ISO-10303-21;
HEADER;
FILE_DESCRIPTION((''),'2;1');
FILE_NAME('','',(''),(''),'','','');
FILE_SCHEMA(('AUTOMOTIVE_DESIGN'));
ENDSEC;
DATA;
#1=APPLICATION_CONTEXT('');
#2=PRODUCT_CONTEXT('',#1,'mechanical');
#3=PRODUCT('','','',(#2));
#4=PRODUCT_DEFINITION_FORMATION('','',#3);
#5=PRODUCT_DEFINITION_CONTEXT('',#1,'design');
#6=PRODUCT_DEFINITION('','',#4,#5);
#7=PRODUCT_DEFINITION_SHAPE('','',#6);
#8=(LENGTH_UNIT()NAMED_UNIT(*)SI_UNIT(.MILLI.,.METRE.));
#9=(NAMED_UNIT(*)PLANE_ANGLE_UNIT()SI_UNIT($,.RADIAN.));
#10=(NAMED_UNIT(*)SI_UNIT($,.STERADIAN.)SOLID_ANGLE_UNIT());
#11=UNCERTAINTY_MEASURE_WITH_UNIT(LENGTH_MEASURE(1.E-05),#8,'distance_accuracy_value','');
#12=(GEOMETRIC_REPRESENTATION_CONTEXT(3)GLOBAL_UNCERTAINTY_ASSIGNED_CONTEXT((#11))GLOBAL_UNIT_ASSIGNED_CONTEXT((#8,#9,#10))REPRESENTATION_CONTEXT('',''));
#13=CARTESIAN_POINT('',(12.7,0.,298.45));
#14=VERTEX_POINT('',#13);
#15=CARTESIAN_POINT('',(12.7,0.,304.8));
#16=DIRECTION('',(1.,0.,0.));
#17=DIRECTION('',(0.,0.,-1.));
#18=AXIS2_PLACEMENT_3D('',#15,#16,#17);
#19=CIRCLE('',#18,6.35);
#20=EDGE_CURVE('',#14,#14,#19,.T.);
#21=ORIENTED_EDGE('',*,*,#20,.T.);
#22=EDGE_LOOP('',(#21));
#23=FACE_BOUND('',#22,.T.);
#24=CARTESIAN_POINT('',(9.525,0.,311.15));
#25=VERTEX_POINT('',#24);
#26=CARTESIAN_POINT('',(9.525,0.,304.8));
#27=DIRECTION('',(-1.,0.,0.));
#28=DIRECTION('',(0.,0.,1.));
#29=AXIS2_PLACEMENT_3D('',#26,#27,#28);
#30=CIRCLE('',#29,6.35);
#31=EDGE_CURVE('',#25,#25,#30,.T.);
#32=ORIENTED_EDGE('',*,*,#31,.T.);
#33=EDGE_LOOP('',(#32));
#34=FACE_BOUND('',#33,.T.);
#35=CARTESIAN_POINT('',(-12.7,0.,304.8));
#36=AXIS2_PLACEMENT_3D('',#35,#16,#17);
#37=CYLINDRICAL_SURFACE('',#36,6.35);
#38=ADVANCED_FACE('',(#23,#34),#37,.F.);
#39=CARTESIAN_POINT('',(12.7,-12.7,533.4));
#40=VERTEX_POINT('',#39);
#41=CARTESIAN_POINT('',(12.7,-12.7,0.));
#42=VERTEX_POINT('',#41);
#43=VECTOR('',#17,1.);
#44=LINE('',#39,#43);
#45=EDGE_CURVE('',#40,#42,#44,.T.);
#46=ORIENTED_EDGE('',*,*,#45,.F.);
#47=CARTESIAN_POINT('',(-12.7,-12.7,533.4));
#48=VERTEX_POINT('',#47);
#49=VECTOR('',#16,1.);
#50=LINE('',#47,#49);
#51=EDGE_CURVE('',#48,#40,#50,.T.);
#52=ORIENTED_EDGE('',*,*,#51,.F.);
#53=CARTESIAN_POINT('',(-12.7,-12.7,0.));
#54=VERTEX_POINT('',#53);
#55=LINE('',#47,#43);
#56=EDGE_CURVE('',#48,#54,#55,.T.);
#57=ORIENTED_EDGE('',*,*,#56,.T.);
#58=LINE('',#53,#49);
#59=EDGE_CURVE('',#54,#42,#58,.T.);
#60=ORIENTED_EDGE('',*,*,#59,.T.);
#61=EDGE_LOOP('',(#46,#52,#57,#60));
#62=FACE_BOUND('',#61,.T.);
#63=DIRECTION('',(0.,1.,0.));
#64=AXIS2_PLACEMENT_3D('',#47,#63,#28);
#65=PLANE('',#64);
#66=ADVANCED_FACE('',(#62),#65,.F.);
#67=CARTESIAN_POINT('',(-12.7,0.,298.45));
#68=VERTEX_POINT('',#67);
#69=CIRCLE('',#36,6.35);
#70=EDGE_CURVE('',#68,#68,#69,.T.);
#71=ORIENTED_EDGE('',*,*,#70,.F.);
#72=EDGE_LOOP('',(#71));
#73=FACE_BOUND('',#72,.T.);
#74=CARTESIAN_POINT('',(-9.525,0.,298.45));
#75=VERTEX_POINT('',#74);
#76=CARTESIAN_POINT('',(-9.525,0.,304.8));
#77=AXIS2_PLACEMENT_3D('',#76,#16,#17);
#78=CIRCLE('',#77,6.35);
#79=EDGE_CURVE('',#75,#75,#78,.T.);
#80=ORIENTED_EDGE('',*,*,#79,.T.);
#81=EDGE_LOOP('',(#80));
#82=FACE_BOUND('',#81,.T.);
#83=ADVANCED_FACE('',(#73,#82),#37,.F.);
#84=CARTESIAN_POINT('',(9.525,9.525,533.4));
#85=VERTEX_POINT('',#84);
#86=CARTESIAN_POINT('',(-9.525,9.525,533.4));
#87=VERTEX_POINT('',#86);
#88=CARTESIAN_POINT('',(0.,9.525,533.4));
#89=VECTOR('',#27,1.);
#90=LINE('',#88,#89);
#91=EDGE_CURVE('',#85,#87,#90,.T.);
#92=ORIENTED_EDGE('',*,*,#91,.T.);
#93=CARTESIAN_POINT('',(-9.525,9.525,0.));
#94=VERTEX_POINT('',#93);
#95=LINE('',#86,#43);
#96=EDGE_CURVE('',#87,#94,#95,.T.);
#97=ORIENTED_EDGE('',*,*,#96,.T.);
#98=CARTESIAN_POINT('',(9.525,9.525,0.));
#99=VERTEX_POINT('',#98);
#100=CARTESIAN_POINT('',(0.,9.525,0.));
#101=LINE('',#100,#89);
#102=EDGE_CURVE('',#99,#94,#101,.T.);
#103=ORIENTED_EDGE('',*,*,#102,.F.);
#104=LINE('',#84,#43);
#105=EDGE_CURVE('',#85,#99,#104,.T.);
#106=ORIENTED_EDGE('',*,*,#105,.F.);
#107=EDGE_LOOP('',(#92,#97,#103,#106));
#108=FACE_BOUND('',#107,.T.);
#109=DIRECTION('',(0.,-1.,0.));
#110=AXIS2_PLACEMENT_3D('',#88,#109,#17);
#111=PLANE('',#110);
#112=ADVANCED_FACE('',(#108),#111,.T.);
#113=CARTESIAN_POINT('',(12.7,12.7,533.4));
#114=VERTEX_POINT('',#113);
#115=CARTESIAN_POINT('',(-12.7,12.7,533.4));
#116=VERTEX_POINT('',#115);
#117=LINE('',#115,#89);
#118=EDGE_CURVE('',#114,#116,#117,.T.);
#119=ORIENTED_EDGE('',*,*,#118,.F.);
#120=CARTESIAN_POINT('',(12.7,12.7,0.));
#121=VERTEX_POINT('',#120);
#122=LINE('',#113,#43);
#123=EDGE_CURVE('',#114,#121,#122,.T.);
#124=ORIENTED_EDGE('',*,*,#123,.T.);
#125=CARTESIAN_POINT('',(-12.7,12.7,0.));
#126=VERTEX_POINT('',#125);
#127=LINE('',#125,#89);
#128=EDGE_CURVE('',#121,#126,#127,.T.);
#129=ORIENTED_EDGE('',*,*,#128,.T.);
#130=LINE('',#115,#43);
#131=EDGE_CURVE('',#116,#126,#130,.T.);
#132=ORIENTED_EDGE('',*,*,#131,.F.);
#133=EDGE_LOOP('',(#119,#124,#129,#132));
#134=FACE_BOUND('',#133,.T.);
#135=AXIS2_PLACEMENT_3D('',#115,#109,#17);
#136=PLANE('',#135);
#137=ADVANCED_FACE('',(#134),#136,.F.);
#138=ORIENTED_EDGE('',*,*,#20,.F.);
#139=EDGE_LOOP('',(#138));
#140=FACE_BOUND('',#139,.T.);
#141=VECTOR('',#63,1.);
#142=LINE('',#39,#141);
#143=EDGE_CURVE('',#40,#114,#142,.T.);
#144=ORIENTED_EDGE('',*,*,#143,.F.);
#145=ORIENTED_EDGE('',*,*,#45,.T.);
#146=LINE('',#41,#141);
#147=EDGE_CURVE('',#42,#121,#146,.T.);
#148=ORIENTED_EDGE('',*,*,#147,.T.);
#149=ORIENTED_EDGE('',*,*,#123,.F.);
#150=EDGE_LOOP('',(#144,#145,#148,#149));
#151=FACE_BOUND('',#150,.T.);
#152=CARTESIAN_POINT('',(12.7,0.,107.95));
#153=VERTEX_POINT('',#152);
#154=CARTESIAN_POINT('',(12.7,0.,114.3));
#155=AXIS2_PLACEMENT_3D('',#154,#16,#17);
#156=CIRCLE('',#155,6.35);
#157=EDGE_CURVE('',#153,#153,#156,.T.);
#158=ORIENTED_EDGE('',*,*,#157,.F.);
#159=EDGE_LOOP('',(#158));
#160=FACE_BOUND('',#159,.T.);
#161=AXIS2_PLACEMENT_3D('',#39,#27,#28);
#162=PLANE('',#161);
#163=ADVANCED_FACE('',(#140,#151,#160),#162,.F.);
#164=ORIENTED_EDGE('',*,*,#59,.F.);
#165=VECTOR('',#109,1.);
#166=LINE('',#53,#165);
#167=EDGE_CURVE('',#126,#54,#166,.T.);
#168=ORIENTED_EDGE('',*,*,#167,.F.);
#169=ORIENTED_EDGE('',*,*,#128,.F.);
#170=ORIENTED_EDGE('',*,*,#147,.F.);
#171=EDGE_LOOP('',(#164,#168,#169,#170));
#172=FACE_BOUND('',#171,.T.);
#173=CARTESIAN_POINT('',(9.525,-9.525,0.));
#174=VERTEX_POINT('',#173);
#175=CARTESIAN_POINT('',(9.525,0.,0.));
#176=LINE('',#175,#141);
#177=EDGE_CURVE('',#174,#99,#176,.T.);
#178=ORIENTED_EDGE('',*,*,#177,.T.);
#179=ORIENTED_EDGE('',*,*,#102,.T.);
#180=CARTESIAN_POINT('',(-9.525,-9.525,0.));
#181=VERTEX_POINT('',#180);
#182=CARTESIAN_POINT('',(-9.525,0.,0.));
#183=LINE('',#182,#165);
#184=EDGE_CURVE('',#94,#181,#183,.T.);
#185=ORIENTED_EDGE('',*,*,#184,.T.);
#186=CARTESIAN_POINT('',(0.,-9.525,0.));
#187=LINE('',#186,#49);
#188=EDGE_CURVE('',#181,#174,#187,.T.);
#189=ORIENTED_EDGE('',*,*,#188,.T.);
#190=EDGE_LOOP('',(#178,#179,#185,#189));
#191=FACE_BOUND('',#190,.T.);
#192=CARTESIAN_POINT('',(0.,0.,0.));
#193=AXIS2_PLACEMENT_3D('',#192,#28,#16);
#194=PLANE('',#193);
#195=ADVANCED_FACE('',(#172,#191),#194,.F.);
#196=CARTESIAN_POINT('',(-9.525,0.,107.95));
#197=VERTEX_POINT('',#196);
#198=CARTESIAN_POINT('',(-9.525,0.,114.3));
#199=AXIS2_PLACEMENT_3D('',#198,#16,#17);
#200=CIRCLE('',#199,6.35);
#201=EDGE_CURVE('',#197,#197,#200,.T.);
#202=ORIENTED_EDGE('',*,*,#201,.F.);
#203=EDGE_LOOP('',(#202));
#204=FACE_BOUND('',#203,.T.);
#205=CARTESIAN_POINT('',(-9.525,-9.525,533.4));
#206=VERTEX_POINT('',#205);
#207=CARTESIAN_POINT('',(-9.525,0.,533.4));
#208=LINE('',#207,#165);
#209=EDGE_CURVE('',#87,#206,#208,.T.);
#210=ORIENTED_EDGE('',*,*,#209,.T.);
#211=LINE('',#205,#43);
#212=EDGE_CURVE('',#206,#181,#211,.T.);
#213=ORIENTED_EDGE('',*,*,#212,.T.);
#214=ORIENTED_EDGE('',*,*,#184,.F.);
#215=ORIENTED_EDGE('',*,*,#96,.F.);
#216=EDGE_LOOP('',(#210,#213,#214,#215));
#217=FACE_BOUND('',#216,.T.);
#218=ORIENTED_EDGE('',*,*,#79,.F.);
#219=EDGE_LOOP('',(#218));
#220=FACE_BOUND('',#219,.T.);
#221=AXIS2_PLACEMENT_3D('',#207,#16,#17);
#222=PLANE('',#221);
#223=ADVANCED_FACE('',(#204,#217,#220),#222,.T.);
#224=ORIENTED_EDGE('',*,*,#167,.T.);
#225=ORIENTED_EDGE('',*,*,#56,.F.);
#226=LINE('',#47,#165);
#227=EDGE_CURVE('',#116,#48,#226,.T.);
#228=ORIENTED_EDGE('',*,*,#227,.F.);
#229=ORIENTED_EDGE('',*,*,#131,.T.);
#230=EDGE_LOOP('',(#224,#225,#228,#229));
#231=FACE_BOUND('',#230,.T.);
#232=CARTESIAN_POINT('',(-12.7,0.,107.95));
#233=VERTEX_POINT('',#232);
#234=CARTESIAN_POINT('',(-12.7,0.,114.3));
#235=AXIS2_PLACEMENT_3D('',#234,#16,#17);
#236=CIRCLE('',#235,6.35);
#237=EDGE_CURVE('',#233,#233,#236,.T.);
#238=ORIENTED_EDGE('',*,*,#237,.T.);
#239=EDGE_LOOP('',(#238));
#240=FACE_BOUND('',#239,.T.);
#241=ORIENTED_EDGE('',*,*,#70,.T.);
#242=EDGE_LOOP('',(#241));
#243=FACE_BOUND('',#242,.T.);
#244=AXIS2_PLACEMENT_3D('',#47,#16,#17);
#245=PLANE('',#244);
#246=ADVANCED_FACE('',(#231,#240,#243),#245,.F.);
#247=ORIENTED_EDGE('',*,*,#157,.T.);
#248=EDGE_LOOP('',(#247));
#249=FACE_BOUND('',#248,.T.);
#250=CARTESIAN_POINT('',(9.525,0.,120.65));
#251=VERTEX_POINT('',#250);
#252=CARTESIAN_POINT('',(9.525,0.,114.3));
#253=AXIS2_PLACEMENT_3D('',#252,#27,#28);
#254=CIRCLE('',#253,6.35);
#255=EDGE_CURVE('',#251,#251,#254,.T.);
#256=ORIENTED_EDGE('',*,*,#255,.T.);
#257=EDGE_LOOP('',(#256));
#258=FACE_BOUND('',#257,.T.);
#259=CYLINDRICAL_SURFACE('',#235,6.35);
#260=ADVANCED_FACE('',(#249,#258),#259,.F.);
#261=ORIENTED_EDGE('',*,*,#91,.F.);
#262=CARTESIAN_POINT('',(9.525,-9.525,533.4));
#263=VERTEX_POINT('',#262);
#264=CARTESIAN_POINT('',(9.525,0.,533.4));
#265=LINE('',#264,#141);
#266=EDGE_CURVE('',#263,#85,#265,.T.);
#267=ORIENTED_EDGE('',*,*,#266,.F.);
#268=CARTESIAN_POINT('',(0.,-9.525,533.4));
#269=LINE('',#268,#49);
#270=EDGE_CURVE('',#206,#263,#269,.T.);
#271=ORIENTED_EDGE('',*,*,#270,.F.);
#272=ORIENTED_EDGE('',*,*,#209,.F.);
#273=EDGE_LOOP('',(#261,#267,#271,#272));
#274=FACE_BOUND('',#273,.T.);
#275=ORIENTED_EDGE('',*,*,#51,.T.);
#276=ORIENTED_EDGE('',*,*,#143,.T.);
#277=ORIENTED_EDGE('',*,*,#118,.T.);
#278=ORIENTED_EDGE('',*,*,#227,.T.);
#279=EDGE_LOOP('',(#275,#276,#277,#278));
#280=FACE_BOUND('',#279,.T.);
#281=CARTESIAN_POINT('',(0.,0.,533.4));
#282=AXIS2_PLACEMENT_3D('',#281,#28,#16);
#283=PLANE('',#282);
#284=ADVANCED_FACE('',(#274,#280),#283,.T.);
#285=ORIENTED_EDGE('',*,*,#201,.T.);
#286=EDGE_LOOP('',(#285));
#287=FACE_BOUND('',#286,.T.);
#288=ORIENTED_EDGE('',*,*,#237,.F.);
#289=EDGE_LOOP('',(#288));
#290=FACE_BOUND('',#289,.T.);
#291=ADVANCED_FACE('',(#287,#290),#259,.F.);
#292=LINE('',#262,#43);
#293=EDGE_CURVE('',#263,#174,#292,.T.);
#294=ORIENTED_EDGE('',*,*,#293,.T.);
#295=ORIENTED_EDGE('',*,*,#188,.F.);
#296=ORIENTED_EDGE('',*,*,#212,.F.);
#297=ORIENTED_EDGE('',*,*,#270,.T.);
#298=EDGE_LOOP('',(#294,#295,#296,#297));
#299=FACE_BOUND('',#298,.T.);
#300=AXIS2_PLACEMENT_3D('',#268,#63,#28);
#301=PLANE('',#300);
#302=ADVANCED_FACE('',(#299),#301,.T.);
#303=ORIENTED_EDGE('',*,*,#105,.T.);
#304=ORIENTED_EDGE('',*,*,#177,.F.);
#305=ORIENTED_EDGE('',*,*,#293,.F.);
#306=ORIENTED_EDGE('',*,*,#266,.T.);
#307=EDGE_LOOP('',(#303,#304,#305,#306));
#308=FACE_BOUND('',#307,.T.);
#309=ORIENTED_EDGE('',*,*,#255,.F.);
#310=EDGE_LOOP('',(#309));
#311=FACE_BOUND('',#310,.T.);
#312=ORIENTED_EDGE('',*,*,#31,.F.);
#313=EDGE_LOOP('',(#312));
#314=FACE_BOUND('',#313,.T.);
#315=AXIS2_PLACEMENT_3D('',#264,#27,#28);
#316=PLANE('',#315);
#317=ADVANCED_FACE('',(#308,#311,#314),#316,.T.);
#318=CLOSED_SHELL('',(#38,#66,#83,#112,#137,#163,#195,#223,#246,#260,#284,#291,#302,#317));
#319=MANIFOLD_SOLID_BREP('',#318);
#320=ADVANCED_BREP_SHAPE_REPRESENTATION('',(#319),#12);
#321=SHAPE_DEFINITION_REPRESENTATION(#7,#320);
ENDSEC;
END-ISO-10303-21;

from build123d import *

# Parameters (mm, degrees)
SKETCH1_W           = 25.4
SKETCH1_H           = 25.4
SKETCH1_W_2         = 19.05
SKETCH1_H_2         = 19.05
EXTRUDE_THIN1_DEPTH = 533.4
SKETCH2_R           = 6.35
CUT_EXTRUDE1_DEPTH  = 535.155417458


with BuildPart() as part:
    # Sketch1 → Extrude-Thin1 (new body)
    with BuildSketch(Plane.XY):
        Rectangle(SKETCH1_W, SKETCH1_H)
        Rectangle(SKETCH1_W_2, SKETCH1_H_2, mode=Mode.SUBTRACT)
    extrude(amount=EXTRUDE_THIN1_DEPTH)

    # Sketch2 → Cut-Extrude1 (cut, through all)
    with BuildSketch(Plane(origin=(12.7, 0, 0), x_dir=(0, 0, -1), z_dir=(1, 0, 0))):
        with Locations((-304.8, 0)):
            Circle(SKETCH2_R)
        with Locations((-114.3, 0)):
            Circle(SKETCH2_R)
    extrude(amount=-CUT_EXTRUDE1_DEPTH, mode=Mode.SUBTRACT)


solid = part.part
